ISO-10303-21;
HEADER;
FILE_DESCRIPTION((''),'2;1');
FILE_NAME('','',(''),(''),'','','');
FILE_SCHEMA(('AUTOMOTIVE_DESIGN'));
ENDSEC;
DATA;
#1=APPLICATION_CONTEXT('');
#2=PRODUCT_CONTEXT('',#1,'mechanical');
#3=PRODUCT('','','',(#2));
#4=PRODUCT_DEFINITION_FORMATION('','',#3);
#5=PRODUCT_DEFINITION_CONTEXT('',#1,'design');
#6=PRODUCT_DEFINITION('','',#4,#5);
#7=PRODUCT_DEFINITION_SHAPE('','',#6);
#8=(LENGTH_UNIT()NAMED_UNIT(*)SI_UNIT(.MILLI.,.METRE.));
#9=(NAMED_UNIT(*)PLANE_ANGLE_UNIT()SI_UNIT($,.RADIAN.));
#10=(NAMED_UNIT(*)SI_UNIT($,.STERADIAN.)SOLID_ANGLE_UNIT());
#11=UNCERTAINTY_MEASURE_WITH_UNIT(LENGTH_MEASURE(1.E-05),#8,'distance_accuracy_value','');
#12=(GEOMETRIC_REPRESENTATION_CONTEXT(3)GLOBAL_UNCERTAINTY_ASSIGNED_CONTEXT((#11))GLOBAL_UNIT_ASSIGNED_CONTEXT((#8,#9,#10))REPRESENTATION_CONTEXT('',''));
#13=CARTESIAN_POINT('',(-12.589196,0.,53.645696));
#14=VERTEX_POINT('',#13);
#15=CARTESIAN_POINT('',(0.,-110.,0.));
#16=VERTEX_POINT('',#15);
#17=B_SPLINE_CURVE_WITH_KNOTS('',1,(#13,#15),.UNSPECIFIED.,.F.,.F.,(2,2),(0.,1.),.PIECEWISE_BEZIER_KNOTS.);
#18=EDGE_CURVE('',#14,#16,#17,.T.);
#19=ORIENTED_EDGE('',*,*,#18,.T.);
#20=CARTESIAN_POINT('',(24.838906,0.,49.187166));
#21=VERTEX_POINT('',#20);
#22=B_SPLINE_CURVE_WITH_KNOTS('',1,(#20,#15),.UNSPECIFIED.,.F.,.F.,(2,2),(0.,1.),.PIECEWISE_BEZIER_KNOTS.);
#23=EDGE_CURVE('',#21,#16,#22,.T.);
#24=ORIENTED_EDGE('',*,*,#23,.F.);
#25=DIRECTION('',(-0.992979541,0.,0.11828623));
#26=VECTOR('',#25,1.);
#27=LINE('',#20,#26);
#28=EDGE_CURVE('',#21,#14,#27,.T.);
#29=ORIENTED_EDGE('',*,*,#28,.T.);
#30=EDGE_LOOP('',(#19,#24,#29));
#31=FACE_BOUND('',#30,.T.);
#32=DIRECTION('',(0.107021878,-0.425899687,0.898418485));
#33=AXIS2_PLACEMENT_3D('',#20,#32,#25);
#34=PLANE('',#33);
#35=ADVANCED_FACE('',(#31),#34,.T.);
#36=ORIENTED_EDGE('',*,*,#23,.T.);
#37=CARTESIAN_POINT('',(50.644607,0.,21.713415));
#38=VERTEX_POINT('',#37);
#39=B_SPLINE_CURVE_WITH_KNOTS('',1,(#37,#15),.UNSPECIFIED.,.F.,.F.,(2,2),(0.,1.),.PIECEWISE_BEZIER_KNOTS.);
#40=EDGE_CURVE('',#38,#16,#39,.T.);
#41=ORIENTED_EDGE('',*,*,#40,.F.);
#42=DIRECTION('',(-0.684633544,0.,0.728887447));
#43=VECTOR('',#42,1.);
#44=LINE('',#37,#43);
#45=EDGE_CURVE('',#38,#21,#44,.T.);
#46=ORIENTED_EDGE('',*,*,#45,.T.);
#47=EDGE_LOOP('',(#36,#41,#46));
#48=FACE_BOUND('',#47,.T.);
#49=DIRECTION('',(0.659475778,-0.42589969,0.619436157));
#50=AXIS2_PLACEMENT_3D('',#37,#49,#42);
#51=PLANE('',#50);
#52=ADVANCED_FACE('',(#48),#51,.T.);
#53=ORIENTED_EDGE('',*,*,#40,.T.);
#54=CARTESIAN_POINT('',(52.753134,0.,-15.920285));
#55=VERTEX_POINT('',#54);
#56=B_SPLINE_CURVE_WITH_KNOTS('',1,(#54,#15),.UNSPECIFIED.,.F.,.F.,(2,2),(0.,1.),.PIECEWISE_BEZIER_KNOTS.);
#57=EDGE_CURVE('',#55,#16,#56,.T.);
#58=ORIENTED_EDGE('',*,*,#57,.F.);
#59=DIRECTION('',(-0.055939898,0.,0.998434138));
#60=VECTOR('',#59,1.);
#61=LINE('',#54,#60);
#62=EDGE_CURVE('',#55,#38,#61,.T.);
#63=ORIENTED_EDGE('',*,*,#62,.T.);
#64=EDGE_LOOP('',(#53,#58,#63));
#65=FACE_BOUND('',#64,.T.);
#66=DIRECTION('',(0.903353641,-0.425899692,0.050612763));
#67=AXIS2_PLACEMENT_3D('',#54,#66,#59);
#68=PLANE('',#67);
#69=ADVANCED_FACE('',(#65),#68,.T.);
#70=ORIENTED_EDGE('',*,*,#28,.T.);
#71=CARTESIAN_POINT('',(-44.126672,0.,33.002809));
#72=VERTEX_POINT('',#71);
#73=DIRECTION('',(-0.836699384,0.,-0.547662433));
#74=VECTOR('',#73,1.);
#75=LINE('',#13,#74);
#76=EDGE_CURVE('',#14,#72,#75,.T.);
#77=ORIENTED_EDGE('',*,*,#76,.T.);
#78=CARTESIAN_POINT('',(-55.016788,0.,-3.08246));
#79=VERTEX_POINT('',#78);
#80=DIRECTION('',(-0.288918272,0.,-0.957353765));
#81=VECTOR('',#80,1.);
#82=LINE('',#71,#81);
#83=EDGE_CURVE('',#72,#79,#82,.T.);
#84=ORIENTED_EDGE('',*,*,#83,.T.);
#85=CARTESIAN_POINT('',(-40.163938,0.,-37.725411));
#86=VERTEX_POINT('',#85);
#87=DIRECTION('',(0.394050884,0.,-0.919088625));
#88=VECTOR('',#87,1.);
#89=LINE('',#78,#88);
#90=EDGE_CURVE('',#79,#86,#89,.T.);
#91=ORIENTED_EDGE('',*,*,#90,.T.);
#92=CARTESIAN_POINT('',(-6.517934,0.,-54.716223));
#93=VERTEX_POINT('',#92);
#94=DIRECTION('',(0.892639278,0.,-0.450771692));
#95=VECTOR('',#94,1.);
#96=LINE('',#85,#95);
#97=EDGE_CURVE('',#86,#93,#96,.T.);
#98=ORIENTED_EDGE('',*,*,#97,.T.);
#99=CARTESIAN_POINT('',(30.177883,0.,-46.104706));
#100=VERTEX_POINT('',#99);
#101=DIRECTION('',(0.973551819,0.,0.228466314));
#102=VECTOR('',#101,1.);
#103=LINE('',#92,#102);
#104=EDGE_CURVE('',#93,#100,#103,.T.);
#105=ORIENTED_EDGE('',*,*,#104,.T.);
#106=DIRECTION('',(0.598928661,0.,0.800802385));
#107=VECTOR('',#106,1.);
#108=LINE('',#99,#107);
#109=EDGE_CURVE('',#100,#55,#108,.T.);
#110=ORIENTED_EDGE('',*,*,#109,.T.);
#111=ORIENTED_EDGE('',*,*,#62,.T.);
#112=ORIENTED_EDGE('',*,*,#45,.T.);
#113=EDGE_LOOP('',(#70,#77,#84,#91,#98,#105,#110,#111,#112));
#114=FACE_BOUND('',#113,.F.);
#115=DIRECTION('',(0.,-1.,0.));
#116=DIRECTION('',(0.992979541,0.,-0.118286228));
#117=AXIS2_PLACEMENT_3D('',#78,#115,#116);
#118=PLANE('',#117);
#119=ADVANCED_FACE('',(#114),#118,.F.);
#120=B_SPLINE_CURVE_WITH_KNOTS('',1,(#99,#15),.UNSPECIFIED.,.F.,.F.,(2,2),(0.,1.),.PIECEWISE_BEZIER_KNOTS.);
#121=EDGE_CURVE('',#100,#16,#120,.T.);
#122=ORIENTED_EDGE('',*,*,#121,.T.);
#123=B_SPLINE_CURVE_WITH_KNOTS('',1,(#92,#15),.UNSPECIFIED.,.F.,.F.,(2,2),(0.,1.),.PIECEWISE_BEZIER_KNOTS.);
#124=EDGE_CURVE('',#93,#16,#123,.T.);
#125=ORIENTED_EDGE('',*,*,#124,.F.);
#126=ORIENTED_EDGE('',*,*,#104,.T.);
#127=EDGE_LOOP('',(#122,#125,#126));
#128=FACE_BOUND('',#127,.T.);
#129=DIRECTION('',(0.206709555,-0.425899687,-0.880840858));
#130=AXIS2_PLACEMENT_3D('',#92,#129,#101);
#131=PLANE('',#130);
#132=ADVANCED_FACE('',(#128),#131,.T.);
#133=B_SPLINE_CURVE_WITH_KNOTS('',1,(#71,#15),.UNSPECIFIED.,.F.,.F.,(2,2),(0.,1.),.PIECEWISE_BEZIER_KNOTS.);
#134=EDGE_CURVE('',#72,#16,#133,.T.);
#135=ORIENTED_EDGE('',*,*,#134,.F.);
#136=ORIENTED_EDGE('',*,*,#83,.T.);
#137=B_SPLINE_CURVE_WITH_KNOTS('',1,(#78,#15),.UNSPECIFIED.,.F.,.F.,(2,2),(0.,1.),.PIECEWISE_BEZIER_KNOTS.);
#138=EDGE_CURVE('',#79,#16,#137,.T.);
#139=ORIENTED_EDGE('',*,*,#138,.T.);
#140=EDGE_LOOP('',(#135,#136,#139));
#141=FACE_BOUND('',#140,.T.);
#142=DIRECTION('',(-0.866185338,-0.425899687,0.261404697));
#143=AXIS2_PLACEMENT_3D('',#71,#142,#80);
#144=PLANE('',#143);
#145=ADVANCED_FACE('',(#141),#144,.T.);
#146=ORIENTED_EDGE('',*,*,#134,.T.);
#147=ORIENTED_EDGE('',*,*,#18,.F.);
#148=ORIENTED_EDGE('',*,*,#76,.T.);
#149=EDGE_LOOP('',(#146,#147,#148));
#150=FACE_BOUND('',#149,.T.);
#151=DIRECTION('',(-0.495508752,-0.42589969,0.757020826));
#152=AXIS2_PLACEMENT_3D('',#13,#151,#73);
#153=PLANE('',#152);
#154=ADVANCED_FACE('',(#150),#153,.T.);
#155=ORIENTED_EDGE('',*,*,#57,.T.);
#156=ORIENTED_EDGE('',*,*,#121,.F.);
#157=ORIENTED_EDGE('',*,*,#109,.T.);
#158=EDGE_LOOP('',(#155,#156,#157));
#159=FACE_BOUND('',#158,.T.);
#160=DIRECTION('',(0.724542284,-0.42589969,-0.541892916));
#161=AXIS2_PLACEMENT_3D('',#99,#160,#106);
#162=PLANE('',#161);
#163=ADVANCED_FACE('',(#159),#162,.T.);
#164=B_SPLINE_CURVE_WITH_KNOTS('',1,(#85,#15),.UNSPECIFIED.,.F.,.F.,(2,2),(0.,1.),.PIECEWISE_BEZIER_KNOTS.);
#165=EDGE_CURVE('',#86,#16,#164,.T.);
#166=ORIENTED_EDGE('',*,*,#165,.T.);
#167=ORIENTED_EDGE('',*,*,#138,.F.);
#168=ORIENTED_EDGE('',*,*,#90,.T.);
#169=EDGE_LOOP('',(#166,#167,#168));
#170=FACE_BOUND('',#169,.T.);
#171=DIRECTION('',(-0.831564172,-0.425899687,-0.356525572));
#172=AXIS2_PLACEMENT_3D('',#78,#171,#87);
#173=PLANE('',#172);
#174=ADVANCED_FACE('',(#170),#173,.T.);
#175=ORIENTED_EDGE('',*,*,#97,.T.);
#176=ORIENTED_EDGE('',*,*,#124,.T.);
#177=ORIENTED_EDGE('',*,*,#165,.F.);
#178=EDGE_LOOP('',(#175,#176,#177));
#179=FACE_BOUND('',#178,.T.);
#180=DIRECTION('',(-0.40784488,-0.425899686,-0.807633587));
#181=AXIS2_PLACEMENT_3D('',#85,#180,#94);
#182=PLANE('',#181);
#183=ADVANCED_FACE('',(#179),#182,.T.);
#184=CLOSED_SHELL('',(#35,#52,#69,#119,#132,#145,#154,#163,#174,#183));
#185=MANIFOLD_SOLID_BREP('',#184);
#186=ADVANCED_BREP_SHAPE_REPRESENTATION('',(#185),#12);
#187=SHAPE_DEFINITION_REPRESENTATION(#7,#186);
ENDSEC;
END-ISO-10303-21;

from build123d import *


with BuildPart() as f3:
    # F0 (on Front) → F3 section 0
    with BuildSketch(Plane.XZ, mode=Mode.PRIVATE) as f3_s0:
        Polygon((-55.016788, -3.08246), (-40.163938, -37.725411), (-6.517934, -54.716223), (30.177883, -46.104706), (52.753134, -15.920285), (50.644607, 21.713415), (24.838906, 49.187166), (-12.589196, 53.645696), (-44.126672, 33.002809), align=None)
    loft([f3_s0.sketch, Vertex(0, -110, 0)])


solid = f3.part
